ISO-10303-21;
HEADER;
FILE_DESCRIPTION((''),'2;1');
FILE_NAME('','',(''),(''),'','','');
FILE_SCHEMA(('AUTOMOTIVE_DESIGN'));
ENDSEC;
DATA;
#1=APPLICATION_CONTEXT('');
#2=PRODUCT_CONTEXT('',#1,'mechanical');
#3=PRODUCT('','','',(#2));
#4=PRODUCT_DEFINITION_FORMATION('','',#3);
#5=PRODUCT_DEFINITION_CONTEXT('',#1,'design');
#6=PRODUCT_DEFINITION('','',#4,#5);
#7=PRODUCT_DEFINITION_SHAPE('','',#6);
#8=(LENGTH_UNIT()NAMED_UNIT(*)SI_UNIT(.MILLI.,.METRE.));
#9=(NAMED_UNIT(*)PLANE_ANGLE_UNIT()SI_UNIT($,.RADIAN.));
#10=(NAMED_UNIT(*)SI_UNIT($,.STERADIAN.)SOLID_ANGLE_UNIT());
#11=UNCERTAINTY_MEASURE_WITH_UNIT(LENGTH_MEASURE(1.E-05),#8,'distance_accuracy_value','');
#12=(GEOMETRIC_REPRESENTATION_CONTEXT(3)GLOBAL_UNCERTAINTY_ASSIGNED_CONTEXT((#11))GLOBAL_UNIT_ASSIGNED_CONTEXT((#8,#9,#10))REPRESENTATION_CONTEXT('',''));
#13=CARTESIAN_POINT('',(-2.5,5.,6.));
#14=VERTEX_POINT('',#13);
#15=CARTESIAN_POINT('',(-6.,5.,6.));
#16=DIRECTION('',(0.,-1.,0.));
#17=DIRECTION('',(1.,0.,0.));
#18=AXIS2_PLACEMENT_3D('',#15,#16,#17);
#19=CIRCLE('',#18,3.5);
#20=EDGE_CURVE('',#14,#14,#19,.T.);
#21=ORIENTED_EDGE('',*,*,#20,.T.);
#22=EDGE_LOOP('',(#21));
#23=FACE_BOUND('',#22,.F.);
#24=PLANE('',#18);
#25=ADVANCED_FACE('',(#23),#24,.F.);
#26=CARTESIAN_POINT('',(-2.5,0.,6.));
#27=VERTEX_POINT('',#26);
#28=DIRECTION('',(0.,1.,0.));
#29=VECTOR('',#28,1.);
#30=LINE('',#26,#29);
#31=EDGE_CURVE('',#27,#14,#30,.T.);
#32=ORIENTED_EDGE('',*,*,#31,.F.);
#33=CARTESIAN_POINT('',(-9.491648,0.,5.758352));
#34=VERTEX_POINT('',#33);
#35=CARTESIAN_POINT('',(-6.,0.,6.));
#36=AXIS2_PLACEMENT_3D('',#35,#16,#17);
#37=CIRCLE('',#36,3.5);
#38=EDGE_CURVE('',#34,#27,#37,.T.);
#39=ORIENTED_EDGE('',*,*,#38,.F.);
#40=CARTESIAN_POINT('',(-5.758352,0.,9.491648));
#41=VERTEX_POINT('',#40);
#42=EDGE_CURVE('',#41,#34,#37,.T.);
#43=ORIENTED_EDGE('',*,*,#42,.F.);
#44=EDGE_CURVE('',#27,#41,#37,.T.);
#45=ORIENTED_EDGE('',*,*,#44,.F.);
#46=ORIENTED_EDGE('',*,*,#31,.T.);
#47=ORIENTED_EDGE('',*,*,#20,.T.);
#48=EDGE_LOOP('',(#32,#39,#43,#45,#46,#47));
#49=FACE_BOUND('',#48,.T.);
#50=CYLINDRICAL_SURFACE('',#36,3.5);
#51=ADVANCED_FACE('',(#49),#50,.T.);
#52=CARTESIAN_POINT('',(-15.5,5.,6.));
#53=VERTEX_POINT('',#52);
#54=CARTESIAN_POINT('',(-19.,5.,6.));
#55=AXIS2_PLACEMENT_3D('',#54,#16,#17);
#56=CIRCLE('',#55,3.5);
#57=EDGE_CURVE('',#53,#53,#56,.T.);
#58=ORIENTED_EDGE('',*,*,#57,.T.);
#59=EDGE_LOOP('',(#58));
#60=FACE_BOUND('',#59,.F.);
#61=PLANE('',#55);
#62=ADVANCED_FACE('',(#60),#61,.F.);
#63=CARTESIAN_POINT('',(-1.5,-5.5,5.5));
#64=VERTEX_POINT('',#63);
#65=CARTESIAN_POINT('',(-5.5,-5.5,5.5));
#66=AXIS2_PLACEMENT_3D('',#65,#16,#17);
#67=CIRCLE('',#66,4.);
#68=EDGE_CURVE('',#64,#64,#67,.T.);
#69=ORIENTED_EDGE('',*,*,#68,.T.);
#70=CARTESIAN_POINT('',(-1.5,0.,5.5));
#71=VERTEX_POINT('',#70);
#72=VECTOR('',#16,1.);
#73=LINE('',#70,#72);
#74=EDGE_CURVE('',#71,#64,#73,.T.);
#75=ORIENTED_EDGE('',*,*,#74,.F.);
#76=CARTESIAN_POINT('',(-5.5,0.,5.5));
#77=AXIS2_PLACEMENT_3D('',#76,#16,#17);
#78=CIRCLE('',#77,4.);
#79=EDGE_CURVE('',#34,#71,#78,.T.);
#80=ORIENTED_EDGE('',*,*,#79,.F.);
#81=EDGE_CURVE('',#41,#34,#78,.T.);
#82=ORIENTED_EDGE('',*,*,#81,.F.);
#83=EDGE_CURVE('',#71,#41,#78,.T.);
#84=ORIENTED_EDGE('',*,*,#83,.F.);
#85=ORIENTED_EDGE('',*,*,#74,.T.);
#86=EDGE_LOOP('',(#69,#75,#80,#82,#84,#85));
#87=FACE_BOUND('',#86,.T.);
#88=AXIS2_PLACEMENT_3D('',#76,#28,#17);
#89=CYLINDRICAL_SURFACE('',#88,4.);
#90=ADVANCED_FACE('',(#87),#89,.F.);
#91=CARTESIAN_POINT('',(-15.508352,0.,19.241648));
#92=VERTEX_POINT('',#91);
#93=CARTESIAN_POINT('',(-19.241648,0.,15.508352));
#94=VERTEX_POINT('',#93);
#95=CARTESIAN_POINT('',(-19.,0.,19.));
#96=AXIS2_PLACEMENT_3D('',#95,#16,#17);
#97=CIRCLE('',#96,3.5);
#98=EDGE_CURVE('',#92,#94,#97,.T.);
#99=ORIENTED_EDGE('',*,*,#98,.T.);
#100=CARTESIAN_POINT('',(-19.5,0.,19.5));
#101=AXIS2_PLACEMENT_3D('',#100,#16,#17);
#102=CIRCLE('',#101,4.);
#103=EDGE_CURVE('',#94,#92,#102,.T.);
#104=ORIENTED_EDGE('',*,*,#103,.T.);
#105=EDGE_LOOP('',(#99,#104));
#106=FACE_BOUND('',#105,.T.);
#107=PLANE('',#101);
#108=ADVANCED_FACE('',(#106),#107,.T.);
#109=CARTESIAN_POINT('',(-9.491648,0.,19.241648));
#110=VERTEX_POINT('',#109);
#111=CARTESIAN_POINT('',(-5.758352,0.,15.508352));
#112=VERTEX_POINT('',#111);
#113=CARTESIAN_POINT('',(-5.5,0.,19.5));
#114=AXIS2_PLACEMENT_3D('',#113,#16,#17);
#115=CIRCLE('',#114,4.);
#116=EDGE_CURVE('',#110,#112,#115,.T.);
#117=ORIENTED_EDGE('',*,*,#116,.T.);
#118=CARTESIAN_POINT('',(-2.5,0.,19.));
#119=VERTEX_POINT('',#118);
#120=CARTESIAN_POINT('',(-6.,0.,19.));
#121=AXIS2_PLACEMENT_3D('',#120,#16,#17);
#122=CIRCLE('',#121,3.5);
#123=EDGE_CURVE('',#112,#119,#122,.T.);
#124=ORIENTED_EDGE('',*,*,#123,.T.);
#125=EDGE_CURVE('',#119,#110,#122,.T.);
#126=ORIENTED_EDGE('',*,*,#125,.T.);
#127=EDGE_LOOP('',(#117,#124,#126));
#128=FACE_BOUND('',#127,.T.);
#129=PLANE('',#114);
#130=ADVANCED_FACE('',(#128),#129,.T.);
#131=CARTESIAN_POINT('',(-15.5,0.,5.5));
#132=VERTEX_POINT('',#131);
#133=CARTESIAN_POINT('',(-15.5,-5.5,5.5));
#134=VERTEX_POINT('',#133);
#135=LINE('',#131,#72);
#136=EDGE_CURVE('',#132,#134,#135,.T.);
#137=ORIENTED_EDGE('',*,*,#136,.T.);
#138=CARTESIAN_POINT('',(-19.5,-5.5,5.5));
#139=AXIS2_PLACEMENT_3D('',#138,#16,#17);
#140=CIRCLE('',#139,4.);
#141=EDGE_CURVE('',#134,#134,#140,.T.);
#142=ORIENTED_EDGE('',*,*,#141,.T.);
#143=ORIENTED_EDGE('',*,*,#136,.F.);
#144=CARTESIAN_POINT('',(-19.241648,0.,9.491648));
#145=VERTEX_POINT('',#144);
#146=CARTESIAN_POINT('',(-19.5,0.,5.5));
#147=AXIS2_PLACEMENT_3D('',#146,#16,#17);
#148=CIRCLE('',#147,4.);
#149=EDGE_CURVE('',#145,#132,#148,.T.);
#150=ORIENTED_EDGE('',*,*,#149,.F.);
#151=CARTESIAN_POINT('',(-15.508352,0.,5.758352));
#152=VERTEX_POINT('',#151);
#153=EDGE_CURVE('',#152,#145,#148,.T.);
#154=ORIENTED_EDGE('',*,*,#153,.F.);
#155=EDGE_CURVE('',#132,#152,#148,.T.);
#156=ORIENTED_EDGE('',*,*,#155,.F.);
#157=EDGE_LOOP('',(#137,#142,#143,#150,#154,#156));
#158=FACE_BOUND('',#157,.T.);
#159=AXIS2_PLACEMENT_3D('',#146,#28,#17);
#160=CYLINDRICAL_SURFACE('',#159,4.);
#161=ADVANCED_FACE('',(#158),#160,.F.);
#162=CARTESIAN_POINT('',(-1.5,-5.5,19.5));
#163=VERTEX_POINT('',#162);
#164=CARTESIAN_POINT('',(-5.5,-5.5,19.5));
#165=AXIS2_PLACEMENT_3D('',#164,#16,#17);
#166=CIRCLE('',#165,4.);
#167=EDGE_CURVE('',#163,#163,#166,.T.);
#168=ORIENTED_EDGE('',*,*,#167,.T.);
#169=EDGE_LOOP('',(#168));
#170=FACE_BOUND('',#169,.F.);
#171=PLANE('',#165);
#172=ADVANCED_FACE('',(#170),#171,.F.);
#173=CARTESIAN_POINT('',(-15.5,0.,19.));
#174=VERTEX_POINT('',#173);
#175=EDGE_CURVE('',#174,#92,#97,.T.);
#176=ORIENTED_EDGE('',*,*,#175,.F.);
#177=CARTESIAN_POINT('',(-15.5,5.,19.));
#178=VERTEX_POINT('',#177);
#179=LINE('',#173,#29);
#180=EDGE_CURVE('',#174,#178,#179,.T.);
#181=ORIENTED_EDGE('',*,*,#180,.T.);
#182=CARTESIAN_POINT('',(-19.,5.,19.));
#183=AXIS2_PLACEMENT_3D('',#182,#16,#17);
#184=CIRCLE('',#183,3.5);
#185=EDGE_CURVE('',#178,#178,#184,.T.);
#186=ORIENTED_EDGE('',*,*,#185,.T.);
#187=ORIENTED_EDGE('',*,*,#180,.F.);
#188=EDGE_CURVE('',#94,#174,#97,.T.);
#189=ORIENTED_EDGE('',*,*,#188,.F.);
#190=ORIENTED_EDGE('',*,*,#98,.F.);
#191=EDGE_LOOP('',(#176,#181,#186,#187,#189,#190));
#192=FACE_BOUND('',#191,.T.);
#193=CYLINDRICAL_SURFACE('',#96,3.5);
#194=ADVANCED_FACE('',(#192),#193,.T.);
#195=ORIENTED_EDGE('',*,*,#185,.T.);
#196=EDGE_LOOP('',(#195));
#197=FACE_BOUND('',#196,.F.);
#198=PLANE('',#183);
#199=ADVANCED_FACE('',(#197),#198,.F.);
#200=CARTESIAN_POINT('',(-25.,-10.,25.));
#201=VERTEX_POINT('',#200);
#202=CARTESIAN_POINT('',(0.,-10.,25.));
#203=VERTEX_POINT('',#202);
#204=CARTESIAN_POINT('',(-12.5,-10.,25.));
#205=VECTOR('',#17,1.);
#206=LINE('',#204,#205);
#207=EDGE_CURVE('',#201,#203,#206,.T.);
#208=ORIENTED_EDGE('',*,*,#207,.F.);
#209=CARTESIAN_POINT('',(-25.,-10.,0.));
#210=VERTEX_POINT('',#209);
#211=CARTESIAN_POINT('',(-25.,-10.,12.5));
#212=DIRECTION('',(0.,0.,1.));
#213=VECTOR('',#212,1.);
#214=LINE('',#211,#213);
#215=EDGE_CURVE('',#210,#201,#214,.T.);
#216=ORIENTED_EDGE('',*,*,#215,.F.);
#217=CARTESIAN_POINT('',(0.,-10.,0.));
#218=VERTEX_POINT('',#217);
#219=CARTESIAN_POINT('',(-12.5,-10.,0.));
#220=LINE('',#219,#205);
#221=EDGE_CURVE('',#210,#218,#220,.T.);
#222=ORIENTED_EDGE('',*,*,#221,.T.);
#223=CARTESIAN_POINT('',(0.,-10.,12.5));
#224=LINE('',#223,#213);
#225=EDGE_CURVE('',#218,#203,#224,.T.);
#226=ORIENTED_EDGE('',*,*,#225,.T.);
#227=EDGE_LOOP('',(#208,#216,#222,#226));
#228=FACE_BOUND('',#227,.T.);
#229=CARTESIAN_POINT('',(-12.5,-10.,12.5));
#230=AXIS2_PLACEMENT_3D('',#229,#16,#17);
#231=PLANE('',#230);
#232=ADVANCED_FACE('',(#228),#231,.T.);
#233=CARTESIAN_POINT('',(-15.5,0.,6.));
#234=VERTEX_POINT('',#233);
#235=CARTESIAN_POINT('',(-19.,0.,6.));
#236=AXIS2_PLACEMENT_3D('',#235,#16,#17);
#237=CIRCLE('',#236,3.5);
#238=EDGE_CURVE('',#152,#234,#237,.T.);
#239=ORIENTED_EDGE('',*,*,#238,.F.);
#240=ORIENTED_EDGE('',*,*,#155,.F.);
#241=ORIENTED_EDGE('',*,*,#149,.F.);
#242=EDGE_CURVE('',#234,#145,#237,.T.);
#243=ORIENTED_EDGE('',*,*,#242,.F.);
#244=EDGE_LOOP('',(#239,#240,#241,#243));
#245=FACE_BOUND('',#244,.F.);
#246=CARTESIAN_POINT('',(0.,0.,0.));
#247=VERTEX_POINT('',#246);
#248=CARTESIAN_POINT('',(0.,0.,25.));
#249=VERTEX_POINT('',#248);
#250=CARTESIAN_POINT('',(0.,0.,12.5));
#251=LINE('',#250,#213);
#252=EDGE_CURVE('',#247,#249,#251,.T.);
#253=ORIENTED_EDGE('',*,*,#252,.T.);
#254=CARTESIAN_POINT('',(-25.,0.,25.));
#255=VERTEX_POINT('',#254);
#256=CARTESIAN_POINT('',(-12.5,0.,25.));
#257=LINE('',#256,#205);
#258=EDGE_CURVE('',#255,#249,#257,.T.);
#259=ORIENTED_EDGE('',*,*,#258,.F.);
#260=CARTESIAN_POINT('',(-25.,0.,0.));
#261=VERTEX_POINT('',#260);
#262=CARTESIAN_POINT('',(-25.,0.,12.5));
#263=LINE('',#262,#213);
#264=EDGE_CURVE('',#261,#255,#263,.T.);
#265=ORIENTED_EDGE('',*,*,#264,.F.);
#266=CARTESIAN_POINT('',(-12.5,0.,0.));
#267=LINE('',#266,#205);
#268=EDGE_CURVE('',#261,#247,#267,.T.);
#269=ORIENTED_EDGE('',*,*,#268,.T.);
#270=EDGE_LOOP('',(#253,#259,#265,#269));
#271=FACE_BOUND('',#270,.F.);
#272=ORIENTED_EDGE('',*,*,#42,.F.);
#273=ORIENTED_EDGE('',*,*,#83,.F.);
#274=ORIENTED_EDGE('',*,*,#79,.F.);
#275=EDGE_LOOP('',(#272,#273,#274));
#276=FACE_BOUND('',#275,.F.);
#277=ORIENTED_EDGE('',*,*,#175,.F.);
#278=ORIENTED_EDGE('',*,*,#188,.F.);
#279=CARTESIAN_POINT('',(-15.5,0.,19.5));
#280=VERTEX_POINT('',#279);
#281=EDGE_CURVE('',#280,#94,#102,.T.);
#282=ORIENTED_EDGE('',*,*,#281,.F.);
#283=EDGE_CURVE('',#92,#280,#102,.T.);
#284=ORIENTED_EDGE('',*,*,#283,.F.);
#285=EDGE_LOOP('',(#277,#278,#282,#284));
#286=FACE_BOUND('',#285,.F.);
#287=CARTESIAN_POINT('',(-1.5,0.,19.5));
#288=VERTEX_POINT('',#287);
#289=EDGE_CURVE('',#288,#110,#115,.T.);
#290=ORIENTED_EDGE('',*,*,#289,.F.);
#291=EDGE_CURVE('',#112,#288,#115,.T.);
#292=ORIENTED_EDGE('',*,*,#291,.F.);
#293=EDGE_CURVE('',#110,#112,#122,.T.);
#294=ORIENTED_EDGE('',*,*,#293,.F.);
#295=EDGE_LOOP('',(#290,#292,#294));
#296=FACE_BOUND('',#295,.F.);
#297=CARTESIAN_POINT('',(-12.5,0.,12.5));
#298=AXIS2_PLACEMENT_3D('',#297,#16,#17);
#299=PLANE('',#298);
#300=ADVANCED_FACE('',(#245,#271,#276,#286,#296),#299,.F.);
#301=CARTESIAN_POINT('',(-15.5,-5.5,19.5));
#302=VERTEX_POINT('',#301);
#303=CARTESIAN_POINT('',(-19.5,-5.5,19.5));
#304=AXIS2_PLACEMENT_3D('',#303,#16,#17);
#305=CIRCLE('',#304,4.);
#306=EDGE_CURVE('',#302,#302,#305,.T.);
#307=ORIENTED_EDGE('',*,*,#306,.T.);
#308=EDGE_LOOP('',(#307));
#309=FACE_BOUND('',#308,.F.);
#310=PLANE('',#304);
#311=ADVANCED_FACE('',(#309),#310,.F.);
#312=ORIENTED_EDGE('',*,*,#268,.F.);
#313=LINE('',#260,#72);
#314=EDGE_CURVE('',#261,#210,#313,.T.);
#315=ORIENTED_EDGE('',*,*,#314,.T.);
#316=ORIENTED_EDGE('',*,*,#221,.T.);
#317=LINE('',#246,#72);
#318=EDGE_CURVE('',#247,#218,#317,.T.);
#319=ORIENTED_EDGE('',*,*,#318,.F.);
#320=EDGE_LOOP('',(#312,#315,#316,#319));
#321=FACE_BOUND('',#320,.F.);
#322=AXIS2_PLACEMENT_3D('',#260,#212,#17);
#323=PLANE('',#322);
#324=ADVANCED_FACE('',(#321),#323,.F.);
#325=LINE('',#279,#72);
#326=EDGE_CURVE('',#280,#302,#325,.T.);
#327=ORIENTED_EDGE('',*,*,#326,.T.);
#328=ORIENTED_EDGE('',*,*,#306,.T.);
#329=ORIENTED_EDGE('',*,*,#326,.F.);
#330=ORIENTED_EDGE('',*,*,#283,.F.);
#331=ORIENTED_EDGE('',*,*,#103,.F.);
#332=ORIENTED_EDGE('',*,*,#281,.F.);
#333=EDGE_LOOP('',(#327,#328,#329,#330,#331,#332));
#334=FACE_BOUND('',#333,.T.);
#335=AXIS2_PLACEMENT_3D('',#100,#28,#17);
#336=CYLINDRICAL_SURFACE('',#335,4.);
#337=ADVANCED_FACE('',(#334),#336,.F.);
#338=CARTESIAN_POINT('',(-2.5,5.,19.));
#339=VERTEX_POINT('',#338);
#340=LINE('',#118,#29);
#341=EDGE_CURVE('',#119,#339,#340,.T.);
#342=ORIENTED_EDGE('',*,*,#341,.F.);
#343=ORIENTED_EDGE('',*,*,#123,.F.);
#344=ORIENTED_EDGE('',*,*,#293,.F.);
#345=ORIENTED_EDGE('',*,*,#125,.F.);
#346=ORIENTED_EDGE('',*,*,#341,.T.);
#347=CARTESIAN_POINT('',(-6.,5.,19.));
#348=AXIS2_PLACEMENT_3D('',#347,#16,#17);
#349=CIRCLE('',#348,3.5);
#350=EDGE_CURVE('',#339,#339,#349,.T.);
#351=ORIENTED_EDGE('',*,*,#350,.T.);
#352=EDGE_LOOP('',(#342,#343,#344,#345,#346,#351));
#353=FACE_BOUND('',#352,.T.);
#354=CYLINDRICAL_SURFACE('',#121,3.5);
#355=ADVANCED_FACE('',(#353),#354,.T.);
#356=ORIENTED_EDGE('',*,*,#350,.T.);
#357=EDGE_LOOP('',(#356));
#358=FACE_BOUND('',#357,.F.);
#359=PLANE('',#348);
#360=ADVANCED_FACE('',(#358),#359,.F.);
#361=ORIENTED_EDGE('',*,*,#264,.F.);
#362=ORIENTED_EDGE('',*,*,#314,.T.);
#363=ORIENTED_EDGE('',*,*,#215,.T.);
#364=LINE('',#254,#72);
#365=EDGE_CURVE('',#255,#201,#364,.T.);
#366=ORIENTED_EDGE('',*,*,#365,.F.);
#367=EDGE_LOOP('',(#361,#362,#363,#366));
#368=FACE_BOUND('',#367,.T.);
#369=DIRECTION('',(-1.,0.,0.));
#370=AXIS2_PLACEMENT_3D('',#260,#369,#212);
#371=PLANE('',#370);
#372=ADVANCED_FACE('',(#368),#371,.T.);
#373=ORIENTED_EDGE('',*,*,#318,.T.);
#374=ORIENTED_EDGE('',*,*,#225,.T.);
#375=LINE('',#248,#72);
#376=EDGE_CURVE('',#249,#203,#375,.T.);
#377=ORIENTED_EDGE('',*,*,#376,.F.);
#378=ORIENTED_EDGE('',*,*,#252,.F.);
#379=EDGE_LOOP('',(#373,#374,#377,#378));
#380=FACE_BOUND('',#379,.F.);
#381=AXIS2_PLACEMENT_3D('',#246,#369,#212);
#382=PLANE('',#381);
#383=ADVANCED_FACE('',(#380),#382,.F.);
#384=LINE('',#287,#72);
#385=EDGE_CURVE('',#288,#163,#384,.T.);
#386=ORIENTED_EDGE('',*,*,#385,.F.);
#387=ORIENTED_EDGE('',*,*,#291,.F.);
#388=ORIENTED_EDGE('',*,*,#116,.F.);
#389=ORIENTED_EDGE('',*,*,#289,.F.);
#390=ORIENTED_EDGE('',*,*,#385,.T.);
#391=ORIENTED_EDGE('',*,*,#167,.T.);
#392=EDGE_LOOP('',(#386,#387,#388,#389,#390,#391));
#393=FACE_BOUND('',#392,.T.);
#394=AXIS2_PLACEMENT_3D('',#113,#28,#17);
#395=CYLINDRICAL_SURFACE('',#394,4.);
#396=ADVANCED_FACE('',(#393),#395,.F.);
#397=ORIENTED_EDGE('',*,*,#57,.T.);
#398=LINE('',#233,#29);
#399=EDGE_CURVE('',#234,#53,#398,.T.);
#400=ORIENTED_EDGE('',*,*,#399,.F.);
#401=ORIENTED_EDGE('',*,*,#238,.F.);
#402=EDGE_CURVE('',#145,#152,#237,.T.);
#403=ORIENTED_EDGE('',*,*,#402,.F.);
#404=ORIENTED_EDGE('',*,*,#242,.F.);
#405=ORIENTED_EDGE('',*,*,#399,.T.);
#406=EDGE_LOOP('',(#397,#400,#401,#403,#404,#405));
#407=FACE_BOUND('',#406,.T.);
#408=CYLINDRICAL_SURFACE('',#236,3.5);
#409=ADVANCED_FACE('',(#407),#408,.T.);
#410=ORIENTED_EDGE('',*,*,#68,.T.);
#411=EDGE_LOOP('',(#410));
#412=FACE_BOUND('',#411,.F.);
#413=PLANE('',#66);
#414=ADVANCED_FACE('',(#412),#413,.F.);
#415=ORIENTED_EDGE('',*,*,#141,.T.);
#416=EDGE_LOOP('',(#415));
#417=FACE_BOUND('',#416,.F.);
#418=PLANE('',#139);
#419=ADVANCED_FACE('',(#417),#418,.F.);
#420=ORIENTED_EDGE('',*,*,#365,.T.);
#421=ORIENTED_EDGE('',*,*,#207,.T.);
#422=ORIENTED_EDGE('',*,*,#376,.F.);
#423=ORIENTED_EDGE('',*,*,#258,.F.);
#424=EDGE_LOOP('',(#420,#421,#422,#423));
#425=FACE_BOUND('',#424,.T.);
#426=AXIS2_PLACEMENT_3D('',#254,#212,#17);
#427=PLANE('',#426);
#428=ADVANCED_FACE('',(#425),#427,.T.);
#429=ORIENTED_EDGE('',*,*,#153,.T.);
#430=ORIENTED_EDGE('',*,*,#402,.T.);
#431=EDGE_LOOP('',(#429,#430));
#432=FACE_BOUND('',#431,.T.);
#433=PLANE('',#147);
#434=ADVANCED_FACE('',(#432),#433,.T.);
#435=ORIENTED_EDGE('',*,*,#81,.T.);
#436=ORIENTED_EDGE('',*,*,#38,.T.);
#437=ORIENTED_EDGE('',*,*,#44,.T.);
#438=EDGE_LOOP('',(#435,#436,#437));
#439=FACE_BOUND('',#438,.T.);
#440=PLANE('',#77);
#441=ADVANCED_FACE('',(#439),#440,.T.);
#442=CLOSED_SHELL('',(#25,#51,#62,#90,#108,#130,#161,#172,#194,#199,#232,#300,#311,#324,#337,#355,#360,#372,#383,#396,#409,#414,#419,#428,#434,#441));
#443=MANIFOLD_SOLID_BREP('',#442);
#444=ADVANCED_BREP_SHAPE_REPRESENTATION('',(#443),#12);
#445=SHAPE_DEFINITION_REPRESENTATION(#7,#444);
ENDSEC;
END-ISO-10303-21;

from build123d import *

# Parameters (mm, degrees)
F0_W      = 25
F0_H      = 25
F1_DEPTH  = 10
F2_R      = 3.5
F3_DEPTH  = 5
F4_R      = 4
F1_FACE_W = 25
F1_FACE_H = 25
F5_DEPTH  = 5.5


with BuildPart() as f1:
    # F0 (on Front) → F1 (new body)
    with BuildSketch(Plane.XZ):
        with Locations((-12.5, 12.5)):
            Rectangle(F0_W, F0_H)
    extrude(amount=F1_DEPTH)

    # F2 (on Front) → F3 (join)
    with BuildSketch(Plane.XZ):
        with Locations((-19, 19)):
            Circle(F2_R)
        with Locations((-19, 6)):
            Circle(F2_R)
        with Locations((-6, 6)):
            Circle(F2_R)
        with Locations((-6, 19)):
            Circle(F2_R)
    extrude(amount=-F3_DEPTH)

    # F4 (on Front) + F1_face (on face) → F5 (cut)
    with BuildSketch(Plane.XZ):
        with Locations((-19.5, 19.5)):
            Circle(F4_R)
        with Locations((-19.5, 5.5)):
            Circle(F4_R)
        with Locations((-5.5, 5.5)):
            Circle(F4_R)
        with Locations((-5.5, 19.5)):
            Circle(F4_R)
    with BuildSketch(Plane(origin=(-12.5, -10, 12.5), x_dir=(1, 0, 0), z_dir=(0, -1, 0))):
        Rectangle(F1_FACE_W, F1_FACE_H)
    extrude(amount=F5_DEPTH, mode=Mode.SUBTRACT)


solid = f1.part
